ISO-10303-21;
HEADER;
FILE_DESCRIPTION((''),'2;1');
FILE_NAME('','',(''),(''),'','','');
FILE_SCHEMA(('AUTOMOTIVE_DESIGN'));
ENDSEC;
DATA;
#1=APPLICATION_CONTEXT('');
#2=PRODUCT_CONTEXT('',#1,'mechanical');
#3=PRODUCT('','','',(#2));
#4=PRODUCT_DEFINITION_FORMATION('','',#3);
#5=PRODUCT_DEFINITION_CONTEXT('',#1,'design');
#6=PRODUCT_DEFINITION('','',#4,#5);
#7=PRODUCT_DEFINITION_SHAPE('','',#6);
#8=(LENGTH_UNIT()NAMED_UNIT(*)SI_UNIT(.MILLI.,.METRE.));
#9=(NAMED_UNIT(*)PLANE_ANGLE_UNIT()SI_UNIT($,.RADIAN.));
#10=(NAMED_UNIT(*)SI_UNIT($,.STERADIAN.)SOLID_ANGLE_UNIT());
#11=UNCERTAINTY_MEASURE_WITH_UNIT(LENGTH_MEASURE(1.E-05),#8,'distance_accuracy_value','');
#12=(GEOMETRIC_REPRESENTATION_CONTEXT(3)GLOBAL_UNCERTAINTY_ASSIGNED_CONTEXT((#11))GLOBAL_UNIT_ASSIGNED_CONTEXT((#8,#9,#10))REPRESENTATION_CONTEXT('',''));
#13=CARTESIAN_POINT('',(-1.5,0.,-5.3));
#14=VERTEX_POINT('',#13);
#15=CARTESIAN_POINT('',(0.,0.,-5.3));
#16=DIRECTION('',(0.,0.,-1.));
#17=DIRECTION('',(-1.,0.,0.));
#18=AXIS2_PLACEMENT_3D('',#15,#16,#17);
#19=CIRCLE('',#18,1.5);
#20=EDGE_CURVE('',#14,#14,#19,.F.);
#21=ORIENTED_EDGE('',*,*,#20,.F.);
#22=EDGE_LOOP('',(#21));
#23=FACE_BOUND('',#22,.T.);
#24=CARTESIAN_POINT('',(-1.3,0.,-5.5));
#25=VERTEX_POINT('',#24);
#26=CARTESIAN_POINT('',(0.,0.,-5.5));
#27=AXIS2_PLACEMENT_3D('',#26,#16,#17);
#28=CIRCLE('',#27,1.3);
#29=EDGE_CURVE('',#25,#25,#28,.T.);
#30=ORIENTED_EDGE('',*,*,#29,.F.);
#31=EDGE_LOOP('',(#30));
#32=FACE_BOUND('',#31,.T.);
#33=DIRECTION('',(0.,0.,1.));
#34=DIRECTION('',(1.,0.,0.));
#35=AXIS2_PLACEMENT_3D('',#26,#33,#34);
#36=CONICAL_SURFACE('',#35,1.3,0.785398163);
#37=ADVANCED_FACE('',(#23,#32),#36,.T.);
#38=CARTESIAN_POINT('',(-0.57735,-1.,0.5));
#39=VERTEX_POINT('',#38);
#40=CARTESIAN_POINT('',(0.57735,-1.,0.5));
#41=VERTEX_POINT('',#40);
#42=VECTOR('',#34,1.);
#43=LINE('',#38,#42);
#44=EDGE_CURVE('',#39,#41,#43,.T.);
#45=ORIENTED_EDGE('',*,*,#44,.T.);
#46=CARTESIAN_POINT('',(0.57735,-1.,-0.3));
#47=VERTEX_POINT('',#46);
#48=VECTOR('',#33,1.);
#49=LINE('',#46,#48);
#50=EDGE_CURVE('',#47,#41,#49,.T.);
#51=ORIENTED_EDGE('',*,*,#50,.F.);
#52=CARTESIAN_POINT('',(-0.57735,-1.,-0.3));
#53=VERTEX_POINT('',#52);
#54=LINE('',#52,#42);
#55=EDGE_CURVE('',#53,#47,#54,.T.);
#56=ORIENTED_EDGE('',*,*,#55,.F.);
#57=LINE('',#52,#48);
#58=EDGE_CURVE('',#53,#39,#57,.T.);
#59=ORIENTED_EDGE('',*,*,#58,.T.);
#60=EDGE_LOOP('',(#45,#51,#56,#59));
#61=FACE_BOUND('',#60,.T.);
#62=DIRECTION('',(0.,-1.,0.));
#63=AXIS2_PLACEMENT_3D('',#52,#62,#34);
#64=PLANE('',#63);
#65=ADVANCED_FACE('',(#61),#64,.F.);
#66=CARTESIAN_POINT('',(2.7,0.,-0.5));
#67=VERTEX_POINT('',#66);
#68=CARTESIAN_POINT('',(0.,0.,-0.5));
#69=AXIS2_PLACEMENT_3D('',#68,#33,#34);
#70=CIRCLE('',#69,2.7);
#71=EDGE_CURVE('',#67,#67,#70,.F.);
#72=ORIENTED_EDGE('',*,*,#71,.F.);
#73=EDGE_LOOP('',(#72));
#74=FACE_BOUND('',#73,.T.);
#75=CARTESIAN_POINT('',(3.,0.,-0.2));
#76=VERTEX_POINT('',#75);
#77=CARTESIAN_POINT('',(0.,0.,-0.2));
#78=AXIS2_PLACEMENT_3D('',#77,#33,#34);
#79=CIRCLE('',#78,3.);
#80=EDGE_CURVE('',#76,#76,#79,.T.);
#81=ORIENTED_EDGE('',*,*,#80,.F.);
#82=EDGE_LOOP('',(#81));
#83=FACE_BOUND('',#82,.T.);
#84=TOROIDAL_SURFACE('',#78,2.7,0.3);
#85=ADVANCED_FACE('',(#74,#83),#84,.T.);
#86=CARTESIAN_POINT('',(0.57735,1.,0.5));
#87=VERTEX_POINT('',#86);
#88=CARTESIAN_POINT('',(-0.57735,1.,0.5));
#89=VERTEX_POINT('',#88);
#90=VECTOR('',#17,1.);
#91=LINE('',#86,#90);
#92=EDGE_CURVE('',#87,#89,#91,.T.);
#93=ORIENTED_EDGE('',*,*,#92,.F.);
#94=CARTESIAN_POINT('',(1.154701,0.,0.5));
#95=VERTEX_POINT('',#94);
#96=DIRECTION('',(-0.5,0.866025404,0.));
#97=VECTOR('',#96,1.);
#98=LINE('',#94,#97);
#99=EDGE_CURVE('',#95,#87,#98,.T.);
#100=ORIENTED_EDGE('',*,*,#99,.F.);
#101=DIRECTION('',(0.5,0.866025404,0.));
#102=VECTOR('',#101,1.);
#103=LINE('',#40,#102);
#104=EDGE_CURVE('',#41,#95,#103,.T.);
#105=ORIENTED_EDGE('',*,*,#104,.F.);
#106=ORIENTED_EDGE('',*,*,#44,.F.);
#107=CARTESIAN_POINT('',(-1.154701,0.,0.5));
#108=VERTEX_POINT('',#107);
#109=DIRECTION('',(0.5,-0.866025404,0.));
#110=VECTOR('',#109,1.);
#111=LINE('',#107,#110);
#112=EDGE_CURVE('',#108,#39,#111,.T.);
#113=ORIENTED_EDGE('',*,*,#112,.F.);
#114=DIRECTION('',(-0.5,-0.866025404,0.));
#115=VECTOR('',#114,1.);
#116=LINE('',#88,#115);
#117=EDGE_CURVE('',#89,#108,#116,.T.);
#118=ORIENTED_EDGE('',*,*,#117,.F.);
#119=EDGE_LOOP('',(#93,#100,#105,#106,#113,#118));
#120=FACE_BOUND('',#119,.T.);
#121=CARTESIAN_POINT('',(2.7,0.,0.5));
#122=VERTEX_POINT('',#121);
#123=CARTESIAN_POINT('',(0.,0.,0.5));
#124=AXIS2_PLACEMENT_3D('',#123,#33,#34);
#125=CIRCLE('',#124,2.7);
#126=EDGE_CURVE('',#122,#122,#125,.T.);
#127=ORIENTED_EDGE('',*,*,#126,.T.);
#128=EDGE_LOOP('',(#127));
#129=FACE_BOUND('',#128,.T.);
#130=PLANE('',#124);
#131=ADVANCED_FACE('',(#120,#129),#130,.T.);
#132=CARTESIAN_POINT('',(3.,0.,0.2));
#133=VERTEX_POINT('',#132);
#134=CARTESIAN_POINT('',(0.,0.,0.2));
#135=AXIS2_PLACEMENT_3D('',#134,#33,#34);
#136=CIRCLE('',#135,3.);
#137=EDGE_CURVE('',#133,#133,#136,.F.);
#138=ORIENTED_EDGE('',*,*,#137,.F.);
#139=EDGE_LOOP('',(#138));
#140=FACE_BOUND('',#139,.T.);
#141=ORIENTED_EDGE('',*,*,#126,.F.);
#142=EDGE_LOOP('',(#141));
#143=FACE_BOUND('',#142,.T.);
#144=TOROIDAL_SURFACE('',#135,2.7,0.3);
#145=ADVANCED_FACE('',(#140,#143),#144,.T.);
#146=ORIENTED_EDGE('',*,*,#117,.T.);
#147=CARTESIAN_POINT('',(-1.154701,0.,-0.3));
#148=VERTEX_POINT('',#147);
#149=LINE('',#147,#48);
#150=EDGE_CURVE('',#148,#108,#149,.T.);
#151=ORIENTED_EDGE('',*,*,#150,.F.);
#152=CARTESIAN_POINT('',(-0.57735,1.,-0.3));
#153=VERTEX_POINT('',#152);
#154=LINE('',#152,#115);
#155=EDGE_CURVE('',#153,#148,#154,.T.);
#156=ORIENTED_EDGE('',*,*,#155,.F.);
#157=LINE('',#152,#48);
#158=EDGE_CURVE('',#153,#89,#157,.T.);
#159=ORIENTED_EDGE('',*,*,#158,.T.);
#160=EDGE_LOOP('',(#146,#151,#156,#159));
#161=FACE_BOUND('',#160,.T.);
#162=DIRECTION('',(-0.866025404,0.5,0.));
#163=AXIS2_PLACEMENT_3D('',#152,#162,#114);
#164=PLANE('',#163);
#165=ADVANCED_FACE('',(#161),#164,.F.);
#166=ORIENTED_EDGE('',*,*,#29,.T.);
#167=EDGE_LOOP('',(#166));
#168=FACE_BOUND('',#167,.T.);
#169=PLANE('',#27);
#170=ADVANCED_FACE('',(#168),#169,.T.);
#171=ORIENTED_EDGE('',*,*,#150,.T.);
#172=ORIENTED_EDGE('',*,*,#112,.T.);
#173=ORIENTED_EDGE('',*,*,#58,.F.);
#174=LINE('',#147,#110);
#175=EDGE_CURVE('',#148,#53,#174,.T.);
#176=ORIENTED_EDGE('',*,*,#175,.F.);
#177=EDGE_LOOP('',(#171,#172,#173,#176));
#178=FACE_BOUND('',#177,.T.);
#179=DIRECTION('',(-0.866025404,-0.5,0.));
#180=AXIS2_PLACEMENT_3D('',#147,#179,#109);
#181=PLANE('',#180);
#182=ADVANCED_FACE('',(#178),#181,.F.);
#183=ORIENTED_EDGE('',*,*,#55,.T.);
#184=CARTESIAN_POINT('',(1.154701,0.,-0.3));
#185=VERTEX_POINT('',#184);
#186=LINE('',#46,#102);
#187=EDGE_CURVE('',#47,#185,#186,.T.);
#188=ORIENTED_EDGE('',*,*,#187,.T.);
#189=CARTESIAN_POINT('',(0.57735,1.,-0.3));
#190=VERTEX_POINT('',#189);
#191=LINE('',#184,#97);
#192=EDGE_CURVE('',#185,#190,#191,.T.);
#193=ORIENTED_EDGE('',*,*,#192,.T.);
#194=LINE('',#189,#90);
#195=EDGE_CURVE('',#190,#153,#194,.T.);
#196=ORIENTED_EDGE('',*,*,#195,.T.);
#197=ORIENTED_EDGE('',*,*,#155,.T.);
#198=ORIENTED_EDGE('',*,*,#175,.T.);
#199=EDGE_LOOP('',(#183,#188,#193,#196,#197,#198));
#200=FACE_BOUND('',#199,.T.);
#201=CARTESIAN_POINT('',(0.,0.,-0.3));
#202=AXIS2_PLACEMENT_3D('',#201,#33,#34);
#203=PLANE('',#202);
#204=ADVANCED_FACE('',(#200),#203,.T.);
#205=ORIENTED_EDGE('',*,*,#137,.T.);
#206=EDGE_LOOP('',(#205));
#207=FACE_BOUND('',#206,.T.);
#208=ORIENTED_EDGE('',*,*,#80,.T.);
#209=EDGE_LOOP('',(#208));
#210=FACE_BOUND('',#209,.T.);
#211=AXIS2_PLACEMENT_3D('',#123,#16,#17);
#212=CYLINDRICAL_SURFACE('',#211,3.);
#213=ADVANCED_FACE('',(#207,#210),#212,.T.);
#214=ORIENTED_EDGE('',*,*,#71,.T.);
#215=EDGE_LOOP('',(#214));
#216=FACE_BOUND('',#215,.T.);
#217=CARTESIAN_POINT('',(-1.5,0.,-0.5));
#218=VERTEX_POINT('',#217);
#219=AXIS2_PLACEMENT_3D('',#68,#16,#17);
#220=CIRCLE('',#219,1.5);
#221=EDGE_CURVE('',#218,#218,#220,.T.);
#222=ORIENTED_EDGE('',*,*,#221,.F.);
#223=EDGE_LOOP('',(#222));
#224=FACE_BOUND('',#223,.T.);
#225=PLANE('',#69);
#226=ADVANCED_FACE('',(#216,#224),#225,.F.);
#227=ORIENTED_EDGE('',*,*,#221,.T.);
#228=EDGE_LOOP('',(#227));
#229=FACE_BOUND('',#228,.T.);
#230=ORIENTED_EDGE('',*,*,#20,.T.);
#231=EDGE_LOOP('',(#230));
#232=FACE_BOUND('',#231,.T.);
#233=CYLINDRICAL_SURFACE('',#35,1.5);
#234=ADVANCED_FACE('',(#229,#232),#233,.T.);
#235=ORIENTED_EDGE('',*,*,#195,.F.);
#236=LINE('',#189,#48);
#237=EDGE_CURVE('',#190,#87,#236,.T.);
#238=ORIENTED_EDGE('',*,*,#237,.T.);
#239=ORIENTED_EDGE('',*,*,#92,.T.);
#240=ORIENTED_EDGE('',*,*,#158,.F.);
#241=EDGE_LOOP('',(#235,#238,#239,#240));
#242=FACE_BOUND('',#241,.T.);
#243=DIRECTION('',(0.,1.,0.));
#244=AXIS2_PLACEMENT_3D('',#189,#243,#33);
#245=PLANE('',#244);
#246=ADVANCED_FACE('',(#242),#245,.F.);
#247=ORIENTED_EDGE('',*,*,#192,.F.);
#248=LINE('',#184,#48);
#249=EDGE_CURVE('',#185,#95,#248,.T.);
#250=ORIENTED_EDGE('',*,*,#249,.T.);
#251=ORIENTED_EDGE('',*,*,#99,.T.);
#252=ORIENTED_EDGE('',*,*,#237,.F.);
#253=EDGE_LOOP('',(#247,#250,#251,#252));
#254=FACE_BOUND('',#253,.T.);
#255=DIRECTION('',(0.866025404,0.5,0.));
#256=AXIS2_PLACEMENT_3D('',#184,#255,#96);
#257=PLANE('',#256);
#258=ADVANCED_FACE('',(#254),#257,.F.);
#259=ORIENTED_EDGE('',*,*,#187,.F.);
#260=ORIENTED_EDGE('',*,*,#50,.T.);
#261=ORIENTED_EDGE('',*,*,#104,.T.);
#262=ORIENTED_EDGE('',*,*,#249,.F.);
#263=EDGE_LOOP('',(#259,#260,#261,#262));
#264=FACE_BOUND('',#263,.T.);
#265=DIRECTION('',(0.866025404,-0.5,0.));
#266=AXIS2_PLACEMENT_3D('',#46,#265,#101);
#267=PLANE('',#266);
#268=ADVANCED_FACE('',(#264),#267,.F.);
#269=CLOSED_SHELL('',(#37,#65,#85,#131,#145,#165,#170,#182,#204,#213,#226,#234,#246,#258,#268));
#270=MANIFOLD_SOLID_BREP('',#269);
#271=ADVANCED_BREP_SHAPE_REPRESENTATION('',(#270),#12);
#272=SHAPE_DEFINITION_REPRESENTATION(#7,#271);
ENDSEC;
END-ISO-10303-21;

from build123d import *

# Parameters (mm, degrees)
SKETCH_1_R          = 3
EXTRUDE_1_DEPTH     = 0.5
SKETCH_2_R          = 1.5
EXTRUDE_2_DEPTH     = 5
CHAMFER_1_SIZE      = 0.2
CUT_EXTRUDE_1_DEPTH = 0.8
FILLET_2_R          = 0.3


with BuildPart() as part:
    # 草图1 → 凸台-拉伸1 (new body, symmetric)
    with BuildSketch(Plane.XY):
        Circle(SKETCH_1_R)
    extrude(amount=EXTRUDE_1_DEPTH, both=True)

    # 草图2 → 凸台-拉伸2 (add)
    with BuildSketch(Plane(origin=(0, 0, -0.5), x_dir=(-1, 0, 0), z_dir=(0, 0, -1))):
        Circle(SKETCH_2_R)
    extrude(amount=EXTRUDE_2_DEPTH)

    # 倒角1
    chamfer_1_edges = [part.edges().sort_by_distance(p)[0] for p in [
        (1.5, 0, -5.5),
    ]]
    chamfer(chamfer_1_edges, length=CHAMFER_1_SIZE)

    # 草图3 → 切除-拉伸1 (cut)
    with BuildSketch(Plane.XY.offset(0.5)):
        Polygon((1.154700538, 0), (0.577350269, 1), (-0.577350269, 1), (-1.154700538, 0), (-0.577350269, -1), (0.577350269, -1), align=None)
    extrude(amount=-CUT_EXTRUDE_1_DEPTH, mode=Mode.SUBTRACT)

    # 圆角2
    fillet_2_edges = [part.edges().sort_by_distance(p)[0] for p in [
        (-3, 0, -0.5),
        (-3, 0, 0.5),
    ]]
    fillet(fillet_2_edges, radius=FILLET_2_R)


solid = part.part
